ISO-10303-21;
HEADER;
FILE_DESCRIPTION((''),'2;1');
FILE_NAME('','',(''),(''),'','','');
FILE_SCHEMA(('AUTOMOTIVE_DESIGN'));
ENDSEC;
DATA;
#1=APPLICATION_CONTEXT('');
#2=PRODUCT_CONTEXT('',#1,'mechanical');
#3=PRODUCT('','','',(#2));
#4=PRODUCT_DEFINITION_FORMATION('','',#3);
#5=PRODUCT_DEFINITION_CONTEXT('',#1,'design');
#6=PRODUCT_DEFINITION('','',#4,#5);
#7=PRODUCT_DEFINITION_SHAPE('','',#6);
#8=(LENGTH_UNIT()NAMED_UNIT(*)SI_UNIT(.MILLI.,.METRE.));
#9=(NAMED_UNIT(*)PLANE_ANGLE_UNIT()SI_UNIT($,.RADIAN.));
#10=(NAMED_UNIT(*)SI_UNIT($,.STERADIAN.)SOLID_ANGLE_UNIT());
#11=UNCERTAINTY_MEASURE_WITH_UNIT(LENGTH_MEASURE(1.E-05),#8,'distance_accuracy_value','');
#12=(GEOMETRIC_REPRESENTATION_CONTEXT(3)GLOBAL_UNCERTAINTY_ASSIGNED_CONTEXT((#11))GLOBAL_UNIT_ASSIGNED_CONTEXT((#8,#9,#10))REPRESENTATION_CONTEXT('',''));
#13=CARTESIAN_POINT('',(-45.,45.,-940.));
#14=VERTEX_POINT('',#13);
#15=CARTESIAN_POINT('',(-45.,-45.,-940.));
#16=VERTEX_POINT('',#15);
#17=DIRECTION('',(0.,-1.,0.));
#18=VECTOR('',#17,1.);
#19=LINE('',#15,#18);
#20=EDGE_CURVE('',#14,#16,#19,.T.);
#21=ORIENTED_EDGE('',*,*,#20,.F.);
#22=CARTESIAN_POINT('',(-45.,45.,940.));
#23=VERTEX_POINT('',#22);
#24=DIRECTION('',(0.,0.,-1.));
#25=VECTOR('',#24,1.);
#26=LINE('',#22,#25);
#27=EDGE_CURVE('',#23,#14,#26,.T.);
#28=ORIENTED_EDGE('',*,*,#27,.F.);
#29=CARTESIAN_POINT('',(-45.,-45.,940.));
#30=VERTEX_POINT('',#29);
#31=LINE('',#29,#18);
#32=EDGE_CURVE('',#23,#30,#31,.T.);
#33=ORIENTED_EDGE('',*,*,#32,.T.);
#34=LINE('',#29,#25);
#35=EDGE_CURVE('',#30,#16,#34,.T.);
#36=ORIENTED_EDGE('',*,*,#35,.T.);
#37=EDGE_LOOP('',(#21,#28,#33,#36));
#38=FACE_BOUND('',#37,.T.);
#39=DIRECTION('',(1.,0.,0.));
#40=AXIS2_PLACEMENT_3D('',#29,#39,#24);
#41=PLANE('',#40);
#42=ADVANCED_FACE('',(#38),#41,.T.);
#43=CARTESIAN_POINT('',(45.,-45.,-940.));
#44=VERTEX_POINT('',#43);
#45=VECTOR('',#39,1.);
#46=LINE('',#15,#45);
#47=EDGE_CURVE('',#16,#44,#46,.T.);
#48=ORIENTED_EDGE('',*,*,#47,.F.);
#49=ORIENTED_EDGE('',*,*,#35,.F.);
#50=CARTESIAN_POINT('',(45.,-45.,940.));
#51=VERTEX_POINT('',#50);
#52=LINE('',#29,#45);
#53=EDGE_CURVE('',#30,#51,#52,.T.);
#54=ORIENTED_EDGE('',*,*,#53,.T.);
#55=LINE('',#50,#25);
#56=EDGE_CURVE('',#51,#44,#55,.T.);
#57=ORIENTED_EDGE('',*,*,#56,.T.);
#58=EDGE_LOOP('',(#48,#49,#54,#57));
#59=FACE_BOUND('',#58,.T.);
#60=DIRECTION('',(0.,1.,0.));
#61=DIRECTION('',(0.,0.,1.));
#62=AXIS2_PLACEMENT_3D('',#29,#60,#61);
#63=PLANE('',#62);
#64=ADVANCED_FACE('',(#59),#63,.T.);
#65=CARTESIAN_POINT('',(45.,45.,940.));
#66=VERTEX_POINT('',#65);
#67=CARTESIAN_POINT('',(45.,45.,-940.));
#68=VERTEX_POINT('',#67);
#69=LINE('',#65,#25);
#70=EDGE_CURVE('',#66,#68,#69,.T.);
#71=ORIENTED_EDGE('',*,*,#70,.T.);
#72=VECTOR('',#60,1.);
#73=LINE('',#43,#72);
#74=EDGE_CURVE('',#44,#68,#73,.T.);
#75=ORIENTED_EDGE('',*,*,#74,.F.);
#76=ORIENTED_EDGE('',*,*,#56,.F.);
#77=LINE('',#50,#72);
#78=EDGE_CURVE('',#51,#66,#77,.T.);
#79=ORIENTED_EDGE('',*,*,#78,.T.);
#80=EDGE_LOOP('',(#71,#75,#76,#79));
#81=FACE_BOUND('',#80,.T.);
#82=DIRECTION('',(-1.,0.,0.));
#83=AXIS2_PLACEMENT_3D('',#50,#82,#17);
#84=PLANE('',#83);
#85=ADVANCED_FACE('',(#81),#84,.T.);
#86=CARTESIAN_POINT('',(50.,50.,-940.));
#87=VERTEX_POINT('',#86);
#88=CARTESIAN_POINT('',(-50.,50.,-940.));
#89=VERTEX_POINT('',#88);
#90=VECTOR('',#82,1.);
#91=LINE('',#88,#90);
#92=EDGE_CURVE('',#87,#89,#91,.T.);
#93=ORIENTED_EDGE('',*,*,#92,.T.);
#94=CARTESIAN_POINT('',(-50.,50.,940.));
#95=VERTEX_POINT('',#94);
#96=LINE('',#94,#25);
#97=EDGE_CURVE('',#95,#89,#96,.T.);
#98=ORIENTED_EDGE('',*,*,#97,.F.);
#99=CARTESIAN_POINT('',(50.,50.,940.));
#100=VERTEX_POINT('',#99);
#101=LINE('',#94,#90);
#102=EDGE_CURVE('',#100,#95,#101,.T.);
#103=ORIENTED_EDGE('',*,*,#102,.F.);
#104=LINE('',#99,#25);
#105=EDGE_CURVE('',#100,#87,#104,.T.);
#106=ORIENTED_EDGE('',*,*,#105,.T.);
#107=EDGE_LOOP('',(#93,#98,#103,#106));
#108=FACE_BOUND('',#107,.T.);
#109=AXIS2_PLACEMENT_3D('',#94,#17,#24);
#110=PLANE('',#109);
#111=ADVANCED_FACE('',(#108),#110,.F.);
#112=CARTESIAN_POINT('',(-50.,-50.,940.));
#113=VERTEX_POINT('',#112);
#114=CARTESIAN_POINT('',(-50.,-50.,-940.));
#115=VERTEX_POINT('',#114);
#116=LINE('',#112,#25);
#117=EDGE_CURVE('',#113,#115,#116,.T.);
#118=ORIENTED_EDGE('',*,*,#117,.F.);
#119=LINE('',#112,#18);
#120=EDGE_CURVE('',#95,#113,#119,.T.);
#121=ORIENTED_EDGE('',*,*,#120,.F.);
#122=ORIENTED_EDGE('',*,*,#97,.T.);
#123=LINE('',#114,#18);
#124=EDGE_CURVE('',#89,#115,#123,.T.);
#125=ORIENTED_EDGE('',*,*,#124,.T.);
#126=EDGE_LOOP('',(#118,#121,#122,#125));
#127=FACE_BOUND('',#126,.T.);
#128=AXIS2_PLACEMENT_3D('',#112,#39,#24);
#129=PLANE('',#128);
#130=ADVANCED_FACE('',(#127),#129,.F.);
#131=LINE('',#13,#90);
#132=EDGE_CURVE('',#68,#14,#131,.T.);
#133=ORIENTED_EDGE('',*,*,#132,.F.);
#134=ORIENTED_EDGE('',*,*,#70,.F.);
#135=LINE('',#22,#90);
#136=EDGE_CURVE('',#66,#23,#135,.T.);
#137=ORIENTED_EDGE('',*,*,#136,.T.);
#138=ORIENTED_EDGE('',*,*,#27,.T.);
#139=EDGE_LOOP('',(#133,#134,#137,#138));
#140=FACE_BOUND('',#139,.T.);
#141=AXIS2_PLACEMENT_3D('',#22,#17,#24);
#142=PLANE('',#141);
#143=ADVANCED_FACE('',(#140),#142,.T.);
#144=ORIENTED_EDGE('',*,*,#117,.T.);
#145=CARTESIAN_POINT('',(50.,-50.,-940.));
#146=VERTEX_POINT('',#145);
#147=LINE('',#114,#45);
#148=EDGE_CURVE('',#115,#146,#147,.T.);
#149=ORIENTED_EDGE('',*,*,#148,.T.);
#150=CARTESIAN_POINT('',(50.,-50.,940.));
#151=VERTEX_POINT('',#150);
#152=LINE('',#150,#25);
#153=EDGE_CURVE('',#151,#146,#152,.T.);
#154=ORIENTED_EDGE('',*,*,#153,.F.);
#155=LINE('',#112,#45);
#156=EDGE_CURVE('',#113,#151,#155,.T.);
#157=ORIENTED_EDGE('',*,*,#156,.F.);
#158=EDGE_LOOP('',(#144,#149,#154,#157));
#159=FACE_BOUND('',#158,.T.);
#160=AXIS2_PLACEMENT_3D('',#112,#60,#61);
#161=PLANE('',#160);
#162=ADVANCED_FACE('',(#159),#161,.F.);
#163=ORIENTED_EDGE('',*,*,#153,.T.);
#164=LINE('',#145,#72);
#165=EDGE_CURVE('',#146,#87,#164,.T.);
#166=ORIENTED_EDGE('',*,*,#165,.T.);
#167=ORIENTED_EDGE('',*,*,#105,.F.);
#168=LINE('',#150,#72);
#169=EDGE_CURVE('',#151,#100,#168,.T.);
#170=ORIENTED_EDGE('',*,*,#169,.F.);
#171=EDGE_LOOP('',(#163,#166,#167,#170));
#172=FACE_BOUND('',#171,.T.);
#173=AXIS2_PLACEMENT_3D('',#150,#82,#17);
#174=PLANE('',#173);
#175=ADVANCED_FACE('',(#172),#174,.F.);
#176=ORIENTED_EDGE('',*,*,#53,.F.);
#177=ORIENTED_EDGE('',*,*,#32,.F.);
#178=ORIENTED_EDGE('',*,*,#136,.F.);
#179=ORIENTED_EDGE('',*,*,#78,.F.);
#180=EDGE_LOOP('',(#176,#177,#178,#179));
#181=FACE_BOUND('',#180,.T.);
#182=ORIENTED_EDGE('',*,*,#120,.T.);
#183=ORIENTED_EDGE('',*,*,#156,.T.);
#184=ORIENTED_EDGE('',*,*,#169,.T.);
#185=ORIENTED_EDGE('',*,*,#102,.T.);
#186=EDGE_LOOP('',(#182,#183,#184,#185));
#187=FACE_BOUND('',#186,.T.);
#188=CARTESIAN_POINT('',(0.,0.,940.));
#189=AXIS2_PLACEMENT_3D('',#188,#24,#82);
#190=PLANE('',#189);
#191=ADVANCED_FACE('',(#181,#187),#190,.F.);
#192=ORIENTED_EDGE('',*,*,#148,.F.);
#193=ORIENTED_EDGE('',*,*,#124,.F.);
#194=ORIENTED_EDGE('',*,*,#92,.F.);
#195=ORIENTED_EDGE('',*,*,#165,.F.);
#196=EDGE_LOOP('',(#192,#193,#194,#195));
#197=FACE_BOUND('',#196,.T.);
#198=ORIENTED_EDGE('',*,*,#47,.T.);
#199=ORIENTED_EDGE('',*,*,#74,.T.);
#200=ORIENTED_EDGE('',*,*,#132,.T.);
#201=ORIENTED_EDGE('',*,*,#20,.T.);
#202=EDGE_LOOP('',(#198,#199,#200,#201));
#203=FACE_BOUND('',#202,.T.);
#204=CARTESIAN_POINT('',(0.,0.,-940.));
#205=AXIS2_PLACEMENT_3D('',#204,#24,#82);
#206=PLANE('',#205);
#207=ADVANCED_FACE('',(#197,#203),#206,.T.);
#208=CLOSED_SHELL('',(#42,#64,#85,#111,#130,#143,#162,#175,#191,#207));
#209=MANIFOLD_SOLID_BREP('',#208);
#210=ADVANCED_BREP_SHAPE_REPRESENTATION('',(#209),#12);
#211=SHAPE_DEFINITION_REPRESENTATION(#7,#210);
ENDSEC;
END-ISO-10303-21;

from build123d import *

# Parameters (mm, degrees)
SKETCH1_W           = 100
SKETCH1_H           = 100
SKETCH1_W_2         = 90
SKETCH1_H_2         = 90
BOSS_EXTRUDE1_DEPTH = 940


with BuildPart() as part:
    # Sketch1 → Boss-Extrude1 (new body, symmetric)
    with BuildSketch(Plane.XY):
        Rectangle(SKETCH1_W, SKETCH1_H)
        Rectangle(SKETCH1_W_2, SKETCH1_H_2, mode=Mode.SUBTRACT)
    extrude(amount=BOSS_EXTRUDE1_DEPTH, both=True)


solid = part.part
